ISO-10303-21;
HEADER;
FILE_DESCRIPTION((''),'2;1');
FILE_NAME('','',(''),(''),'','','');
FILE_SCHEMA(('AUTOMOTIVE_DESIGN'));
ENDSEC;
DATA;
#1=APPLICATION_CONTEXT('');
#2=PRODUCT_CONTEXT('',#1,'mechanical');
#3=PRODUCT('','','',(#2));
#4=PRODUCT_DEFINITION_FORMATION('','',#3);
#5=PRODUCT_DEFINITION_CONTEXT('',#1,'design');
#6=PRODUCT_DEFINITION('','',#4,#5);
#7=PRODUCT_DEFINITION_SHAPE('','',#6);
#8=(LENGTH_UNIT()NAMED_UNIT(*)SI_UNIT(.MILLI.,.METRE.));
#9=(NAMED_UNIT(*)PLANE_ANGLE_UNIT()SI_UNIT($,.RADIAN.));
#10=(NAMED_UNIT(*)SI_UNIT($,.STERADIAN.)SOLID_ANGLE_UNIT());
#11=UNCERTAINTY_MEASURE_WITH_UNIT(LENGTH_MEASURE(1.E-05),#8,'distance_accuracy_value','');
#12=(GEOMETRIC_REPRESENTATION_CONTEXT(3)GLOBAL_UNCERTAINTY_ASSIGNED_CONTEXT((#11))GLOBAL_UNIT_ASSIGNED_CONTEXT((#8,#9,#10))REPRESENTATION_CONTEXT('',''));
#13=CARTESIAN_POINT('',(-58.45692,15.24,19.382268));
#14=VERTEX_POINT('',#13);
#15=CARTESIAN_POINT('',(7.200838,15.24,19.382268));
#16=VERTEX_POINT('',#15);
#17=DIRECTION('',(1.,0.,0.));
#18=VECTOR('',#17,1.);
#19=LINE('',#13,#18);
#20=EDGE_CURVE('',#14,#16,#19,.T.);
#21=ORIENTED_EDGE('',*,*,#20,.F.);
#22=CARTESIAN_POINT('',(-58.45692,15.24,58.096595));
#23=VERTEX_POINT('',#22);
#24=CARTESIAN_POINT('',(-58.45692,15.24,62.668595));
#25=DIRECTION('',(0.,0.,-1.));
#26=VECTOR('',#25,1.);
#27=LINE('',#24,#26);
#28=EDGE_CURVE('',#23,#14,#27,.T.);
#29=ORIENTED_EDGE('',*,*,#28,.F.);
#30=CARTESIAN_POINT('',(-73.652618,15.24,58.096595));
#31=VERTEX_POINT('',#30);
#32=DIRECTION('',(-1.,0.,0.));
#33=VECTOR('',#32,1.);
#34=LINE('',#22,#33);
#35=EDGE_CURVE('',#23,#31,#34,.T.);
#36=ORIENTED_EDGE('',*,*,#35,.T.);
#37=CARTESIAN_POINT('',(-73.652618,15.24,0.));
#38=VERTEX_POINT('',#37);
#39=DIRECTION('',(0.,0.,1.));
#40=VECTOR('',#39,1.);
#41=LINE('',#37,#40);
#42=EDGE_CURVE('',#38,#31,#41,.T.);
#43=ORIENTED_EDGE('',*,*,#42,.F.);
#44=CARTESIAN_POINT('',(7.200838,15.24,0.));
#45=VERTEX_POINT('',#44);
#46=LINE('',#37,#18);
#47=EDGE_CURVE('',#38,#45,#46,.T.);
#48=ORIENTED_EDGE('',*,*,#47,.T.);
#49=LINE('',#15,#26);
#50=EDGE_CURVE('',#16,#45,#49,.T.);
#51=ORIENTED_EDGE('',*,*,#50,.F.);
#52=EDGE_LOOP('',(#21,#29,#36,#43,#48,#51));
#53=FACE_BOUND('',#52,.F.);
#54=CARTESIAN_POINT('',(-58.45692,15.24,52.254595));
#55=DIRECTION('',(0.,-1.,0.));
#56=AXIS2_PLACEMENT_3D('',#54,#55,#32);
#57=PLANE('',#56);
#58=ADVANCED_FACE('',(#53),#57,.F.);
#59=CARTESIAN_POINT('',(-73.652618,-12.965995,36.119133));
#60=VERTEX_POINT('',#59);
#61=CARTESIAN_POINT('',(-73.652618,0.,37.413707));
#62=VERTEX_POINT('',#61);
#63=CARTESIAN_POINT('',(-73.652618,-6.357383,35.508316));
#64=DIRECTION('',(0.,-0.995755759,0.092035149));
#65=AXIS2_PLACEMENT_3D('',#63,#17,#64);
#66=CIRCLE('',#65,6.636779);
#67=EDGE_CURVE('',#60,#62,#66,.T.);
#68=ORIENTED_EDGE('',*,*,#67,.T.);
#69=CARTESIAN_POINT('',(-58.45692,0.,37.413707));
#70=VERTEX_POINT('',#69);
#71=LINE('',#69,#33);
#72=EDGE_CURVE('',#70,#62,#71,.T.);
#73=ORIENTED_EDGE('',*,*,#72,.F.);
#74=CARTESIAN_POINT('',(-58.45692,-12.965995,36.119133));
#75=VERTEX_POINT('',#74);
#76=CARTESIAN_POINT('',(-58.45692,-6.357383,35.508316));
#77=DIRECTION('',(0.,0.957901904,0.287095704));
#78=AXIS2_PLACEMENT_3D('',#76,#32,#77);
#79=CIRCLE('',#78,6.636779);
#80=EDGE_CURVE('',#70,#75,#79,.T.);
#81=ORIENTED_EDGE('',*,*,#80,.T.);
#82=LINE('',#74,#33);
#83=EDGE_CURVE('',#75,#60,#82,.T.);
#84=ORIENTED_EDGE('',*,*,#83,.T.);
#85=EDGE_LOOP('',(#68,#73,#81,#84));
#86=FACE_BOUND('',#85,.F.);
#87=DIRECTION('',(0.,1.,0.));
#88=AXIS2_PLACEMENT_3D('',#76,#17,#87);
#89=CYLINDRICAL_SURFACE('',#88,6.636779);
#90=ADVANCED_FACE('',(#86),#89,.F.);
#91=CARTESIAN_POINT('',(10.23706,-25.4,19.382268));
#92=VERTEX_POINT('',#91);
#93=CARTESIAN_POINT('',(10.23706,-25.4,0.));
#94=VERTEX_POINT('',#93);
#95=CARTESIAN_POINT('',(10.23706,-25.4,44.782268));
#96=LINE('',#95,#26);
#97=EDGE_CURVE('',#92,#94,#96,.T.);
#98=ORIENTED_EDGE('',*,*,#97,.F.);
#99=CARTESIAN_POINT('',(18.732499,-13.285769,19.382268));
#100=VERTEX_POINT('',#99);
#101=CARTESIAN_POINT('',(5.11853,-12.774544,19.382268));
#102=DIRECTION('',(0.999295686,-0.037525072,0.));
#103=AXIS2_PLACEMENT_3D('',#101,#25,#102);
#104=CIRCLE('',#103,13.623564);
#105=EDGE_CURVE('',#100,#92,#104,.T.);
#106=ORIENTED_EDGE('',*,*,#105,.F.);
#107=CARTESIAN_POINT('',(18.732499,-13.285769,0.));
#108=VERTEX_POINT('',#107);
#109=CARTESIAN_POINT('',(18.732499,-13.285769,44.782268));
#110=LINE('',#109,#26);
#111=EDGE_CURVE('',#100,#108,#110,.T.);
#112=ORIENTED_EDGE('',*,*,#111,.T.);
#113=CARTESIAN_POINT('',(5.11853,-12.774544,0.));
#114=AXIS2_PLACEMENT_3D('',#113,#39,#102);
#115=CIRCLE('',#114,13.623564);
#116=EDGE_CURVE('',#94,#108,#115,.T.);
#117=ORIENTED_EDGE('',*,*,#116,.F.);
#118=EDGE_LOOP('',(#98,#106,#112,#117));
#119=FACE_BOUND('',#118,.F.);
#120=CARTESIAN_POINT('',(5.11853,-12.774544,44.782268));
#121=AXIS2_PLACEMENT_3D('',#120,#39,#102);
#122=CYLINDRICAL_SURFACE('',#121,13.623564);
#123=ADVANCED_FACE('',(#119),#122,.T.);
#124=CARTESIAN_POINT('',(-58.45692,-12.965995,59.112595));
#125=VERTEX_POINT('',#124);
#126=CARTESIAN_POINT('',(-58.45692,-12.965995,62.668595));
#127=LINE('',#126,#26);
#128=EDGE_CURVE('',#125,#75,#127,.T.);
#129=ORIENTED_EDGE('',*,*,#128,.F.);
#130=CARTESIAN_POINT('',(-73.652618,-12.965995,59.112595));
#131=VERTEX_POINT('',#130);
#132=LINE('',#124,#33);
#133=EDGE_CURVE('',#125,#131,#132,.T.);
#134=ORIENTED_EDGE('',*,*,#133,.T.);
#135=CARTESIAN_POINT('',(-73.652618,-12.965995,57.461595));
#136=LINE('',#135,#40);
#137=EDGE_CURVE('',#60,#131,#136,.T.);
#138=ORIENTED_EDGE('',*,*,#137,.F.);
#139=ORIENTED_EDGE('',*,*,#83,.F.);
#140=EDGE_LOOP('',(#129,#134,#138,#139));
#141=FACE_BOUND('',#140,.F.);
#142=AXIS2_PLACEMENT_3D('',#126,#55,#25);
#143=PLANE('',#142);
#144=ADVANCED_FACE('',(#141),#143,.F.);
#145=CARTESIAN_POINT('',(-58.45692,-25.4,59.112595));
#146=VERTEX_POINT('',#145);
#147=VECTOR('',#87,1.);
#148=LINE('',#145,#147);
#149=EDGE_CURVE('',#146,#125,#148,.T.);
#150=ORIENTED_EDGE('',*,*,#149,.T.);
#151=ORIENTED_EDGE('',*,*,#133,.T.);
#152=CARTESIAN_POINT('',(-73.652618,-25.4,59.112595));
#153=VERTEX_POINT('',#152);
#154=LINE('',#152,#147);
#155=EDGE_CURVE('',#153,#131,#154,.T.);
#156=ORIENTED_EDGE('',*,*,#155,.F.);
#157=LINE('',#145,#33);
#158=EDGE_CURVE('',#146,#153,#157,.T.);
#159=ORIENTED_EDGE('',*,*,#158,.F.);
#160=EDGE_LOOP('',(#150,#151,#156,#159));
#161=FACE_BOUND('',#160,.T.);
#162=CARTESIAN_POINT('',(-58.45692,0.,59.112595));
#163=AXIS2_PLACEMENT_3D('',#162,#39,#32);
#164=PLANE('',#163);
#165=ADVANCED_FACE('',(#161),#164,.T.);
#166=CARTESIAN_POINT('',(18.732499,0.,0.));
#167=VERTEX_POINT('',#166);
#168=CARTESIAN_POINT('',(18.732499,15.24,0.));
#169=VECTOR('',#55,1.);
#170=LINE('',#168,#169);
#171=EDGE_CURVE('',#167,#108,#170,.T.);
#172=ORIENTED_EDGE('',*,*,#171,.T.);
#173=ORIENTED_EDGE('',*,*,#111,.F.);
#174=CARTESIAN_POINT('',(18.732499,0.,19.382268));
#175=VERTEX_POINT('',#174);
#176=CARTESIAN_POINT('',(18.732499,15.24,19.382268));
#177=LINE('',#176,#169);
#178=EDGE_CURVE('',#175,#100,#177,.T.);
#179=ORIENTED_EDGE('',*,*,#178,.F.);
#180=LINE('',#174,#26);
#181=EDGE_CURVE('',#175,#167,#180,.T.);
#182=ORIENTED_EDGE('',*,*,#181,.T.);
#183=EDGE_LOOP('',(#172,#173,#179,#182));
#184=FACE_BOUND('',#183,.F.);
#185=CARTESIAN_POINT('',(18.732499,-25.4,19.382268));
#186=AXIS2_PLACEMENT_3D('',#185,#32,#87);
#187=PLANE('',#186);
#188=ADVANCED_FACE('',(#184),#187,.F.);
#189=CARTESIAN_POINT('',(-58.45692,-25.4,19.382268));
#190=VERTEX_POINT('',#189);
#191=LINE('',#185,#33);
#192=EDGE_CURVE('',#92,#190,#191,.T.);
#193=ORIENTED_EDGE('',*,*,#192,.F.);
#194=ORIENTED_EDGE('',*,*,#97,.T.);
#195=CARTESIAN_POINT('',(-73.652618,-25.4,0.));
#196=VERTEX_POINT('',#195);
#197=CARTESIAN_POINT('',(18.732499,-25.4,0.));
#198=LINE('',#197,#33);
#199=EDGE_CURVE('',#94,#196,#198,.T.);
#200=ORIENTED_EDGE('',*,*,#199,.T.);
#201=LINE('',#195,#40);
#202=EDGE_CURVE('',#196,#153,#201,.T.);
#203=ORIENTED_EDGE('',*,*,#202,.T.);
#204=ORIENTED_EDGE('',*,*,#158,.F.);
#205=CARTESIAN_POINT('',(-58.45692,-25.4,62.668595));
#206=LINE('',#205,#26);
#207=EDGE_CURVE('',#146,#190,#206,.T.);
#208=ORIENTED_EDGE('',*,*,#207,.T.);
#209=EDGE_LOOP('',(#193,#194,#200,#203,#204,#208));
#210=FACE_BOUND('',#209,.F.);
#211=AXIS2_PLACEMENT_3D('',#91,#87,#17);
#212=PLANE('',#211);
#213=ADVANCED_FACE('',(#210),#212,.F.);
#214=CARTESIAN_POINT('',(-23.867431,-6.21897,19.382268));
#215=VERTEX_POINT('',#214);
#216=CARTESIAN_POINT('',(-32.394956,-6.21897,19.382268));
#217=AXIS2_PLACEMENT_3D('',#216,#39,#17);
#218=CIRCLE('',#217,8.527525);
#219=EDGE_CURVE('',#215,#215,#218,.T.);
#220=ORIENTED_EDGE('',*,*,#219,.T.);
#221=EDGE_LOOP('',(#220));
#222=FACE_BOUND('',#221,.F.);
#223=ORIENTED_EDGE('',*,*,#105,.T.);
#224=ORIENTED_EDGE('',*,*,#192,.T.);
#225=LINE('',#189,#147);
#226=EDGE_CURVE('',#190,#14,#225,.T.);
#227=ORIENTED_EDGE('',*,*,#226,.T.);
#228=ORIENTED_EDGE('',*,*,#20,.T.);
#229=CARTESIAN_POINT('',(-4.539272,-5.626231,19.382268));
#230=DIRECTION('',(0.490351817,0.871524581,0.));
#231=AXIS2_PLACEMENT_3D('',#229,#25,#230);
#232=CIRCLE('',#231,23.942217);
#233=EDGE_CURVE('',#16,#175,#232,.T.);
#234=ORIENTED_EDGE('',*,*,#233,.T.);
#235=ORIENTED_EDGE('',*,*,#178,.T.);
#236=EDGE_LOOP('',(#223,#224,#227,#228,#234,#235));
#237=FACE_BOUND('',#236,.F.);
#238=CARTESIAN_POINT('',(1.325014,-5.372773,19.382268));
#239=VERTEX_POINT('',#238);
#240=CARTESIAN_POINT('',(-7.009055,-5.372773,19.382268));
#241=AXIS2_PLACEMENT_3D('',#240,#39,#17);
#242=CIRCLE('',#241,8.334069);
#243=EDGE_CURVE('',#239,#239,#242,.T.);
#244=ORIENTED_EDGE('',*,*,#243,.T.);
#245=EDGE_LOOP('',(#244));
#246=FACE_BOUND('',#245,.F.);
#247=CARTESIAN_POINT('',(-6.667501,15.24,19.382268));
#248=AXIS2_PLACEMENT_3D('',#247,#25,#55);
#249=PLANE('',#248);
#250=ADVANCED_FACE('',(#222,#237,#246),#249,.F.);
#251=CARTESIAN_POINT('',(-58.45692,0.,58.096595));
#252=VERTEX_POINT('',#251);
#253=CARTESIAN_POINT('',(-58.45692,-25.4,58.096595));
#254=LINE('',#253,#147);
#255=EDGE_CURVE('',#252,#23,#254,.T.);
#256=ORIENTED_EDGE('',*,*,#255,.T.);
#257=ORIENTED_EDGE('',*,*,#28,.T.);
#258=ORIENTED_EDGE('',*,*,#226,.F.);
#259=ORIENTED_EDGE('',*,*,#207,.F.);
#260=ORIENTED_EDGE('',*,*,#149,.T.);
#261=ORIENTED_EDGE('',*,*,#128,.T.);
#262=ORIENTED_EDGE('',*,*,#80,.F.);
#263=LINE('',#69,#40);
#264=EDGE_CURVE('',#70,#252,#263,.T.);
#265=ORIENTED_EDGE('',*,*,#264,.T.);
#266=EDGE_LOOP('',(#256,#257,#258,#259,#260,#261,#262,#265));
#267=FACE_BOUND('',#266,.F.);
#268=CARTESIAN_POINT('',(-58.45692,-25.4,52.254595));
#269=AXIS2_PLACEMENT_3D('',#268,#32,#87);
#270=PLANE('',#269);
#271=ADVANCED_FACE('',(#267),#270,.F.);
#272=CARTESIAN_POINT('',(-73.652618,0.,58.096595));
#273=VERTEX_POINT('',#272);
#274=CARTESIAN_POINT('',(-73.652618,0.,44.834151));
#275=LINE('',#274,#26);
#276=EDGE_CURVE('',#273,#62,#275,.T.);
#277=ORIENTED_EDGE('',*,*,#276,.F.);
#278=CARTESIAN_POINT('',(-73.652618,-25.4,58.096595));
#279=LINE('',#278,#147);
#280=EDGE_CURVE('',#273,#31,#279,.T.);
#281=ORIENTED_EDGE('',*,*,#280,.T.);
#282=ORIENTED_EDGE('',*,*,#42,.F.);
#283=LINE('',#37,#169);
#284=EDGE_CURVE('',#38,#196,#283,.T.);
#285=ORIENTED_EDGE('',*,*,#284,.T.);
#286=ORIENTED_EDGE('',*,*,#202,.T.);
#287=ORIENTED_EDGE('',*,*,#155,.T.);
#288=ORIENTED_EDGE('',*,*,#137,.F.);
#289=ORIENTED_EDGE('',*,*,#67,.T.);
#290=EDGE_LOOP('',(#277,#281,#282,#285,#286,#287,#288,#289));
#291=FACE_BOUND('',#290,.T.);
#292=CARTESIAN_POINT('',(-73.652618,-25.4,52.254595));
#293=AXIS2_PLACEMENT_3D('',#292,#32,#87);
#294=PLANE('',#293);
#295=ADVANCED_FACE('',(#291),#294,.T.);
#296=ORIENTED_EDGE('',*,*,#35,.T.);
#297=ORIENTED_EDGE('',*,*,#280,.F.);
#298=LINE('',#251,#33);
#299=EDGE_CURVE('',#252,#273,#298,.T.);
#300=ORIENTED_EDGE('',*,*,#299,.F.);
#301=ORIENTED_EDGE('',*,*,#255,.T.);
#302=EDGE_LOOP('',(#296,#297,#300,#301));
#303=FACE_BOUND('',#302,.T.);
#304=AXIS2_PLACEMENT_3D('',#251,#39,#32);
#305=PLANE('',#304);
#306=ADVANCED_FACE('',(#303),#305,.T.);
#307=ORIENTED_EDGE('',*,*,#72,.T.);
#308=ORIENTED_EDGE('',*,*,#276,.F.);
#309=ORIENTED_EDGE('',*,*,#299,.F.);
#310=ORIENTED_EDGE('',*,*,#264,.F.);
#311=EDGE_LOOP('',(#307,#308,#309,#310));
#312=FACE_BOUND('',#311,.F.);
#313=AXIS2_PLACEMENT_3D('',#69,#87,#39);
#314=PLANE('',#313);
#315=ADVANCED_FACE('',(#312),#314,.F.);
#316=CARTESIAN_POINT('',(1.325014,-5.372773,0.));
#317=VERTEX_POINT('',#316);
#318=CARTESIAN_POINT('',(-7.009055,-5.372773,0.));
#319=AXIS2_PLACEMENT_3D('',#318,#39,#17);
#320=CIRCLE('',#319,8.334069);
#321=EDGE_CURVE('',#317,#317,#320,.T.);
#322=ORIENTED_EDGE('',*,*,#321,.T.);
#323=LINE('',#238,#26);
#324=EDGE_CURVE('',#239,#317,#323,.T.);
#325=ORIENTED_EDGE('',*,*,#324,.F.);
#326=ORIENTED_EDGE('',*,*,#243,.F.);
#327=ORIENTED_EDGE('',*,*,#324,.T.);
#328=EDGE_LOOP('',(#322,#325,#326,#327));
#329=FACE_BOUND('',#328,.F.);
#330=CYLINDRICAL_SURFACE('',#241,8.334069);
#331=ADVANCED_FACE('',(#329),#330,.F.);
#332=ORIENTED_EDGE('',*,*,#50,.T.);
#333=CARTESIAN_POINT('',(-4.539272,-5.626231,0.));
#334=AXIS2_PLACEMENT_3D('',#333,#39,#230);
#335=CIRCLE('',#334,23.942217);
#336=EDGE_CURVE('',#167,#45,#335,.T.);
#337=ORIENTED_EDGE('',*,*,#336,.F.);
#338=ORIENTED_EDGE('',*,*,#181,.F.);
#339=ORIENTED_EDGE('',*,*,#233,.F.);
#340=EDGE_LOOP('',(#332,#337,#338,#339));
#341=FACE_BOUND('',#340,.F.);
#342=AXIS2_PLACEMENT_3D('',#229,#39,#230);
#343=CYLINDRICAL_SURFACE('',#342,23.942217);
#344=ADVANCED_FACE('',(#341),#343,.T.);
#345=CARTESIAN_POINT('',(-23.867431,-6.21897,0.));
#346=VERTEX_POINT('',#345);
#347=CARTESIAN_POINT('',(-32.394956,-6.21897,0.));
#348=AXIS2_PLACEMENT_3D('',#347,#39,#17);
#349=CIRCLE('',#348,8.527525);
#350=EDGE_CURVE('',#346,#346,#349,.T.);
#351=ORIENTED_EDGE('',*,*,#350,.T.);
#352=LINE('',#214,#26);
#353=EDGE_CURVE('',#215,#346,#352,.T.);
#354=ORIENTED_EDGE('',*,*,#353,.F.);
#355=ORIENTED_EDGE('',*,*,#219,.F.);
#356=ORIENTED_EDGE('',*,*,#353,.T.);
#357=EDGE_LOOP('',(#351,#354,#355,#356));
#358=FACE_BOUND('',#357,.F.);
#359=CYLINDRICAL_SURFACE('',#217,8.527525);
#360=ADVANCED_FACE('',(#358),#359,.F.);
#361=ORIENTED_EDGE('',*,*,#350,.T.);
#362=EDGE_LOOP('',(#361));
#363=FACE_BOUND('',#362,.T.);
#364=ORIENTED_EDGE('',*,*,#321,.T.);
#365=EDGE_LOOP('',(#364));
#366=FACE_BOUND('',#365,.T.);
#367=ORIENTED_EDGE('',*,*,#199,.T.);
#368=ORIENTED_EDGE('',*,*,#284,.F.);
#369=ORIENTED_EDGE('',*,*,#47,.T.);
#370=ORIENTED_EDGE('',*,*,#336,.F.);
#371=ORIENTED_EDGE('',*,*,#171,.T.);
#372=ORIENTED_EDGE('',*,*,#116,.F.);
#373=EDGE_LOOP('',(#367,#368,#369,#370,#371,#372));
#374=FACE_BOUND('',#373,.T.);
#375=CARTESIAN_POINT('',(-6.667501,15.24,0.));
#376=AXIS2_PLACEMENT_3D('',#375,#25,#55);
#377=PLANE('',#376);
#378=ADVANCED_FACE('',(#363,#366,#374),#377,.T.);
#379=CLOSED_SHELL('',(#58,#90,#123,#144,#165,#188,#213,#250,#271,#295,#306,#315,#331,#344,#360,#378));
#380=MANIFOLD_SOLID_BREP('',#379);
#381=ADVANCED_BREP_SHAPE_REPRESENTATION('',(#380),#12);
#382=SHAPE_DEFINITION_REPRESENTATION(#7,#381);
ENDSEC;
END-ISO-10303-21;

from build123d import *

# Parameters (mm, degrees)
F1_DEPTH  = 25.4
F2_DEPTH  = 15.24
F3_DEPTH  = 25.4
F4_DEPTH  = 10.414
F5_R      = 8.5275246161
F5_R_2    = 8.3340687874
F6_DEPTH  = 25.4
F7_R      = 6.6367792204
F8_DEPTH  = 25.4
F10_DEPTH = 63.246
F12_DEPTH = 25.4
F14_DEPTH = 25.4
F15_DEPTH = 72.644
F16_DEPTH = 3.556
F17_DEPTH = 4.572


with BuildPart() as f1:
    # F0 (on Front) → F1 (new body)
    with BuildSketch(Plane.XZ):
        Polygon((-73.6526176333, 52.2545948625), (-73.6526176333, 0), (-6.6675012931, 0), (-6.6675012931, 19.3822681904), (-58.4569200873, 19.3822681904), (-58.4569200873, 52.2545948625), align=None)
    extrude(amount=F1_DEPTH)

    # F2 (add): a face of the model
    f2_faces = [f1.faces().sort_by_distance(p)[0] for p in [
        (-47.3547272267, 0, 16.950424852),
    ]]
    extrude(f2_faces, amount=F2_DEPTH)

    # F3 (add): a face of the model
    f3_faces = [f1.faces().sort_by_distance(p)[0] for p in [
        (-6.6675012931, -5.08, 9.6911340952),
    ]]
    extrude(f3_faces, amount=F3_DEPTH)

    # F4 (add): a face of the model
    f4_faces = [f1.faces().sort_by_distance(p)[0] for p in [
        (-66.0547688603, -5.08, 52.2545948625),
    ]]
    extrude(f4_faces, amount=F4_DEPTH)

    # F5 (on face) → F6 (cut)
    with BuildSketch(Plane.XY.offset(19.3822681904)):
        with Locations((-32.3949557078, -6.2189701391)):
            Circle(F5_R)
        with Locations((-7.0090550705, -5.3727734512)):
            Circle(F5_R_2)
    extrude(amount=-F6_DEPTH, mode=Mode.SUBTRACT)

    # F7 (on face) → F8 (cut)
    with BuildSketch(Plane.YZ.offset(-58.4569200873)):
        with Locations((-6.3573834486, 35.5083160102)):
            Circle(F7_R)
    extrude(amount=-F8_DEPTH, mode=Mode.SUBTRACT)

    # F9 (on face) → F10 (cut)
    with BuildSketch(Plane.YZ.offset(-58.4569200873)):
        with BuildLine():
            Line((-12.9659945775, 62.6685948625), (-12.9659945775, 36.1191329772))
            ThreePointArc((-12.9659945775, 36.1191329772), (-7.0167461638, 42.1122602279), (0, 37.4137068119))
            Line((0, 37.4137068119), (0, 62.6685948625))
            Line((0, 62.6685948625), (-12.9659945775, 62.6685948625))
        make_face()
    extrude(amount=-F10_DEPTH, mode=Mode.SUBTRACT)

    # F11 (on face) → F12 (join)
    with BuildSketch(Plane.XY.offset(19.3822681904)):
        with BuildLine():
            ThreePointArc((18.7324987069, -13.2857691497), (16.2726896365, -20.59670587), (10.2370602665, -25.4))
            Line((10.2370602665, -25.4), (18.7324987069, -25.4))
            Line((18.7324987069, -25.4), (18.7324987069, -13.2857691497))
        make_face()
    extrude(amount=F12_DEPTH)

    # F13 (on face) → F14 (cut)
    with BuildSketch(Plane.XY.offset(19.3822681904)):
        with BuildLine():
            ThreePointArc((7.2008380666, 15.24), (14.5531964002, 8.8204791763), (18.7324987069, 0))
            Line((18.7324987069, 0), (18.7324987069, 15.24))
            Line((18.7324987069, 15.24), (7.2008380666, 15.24))
        make_face()
    extrude(amount=-F14_DEPTH, mode=Mode.SUBTRACT)

    # F15 (cut): a face of the model
    f15_faces = [f1.faces().sort_by_distance(p)[0] for p in [
        (16.4165308131, -22.484618829, 44.7822681904),
    ]]
    extrude(f15_faces, amount=-F15_DEPTH, mode=Mode.SUBTRACT)

    # F16 (cut): a face of the model
    f16_faces = [f1.faces().sort_by_distance(p)[0] for p in [
        (-66.0547688603, -19.1829972888, 62.6685948625),
    ]]
    extrude(f16_faces, amount=-F16_DEPTH, mode=Mode.SUBTRACT)

    # F17 (cut): a face of the model
    f17_faces = [f1.faces().sort_by_distance(p)[0] for p in [
        (-66.0547688603, 7.62, 62.6685948625),
    ]]
    extrude(f17_faces, amount=-F17_DEPTH, mode=Mode.SUBTRACT)


solid = f1.part
